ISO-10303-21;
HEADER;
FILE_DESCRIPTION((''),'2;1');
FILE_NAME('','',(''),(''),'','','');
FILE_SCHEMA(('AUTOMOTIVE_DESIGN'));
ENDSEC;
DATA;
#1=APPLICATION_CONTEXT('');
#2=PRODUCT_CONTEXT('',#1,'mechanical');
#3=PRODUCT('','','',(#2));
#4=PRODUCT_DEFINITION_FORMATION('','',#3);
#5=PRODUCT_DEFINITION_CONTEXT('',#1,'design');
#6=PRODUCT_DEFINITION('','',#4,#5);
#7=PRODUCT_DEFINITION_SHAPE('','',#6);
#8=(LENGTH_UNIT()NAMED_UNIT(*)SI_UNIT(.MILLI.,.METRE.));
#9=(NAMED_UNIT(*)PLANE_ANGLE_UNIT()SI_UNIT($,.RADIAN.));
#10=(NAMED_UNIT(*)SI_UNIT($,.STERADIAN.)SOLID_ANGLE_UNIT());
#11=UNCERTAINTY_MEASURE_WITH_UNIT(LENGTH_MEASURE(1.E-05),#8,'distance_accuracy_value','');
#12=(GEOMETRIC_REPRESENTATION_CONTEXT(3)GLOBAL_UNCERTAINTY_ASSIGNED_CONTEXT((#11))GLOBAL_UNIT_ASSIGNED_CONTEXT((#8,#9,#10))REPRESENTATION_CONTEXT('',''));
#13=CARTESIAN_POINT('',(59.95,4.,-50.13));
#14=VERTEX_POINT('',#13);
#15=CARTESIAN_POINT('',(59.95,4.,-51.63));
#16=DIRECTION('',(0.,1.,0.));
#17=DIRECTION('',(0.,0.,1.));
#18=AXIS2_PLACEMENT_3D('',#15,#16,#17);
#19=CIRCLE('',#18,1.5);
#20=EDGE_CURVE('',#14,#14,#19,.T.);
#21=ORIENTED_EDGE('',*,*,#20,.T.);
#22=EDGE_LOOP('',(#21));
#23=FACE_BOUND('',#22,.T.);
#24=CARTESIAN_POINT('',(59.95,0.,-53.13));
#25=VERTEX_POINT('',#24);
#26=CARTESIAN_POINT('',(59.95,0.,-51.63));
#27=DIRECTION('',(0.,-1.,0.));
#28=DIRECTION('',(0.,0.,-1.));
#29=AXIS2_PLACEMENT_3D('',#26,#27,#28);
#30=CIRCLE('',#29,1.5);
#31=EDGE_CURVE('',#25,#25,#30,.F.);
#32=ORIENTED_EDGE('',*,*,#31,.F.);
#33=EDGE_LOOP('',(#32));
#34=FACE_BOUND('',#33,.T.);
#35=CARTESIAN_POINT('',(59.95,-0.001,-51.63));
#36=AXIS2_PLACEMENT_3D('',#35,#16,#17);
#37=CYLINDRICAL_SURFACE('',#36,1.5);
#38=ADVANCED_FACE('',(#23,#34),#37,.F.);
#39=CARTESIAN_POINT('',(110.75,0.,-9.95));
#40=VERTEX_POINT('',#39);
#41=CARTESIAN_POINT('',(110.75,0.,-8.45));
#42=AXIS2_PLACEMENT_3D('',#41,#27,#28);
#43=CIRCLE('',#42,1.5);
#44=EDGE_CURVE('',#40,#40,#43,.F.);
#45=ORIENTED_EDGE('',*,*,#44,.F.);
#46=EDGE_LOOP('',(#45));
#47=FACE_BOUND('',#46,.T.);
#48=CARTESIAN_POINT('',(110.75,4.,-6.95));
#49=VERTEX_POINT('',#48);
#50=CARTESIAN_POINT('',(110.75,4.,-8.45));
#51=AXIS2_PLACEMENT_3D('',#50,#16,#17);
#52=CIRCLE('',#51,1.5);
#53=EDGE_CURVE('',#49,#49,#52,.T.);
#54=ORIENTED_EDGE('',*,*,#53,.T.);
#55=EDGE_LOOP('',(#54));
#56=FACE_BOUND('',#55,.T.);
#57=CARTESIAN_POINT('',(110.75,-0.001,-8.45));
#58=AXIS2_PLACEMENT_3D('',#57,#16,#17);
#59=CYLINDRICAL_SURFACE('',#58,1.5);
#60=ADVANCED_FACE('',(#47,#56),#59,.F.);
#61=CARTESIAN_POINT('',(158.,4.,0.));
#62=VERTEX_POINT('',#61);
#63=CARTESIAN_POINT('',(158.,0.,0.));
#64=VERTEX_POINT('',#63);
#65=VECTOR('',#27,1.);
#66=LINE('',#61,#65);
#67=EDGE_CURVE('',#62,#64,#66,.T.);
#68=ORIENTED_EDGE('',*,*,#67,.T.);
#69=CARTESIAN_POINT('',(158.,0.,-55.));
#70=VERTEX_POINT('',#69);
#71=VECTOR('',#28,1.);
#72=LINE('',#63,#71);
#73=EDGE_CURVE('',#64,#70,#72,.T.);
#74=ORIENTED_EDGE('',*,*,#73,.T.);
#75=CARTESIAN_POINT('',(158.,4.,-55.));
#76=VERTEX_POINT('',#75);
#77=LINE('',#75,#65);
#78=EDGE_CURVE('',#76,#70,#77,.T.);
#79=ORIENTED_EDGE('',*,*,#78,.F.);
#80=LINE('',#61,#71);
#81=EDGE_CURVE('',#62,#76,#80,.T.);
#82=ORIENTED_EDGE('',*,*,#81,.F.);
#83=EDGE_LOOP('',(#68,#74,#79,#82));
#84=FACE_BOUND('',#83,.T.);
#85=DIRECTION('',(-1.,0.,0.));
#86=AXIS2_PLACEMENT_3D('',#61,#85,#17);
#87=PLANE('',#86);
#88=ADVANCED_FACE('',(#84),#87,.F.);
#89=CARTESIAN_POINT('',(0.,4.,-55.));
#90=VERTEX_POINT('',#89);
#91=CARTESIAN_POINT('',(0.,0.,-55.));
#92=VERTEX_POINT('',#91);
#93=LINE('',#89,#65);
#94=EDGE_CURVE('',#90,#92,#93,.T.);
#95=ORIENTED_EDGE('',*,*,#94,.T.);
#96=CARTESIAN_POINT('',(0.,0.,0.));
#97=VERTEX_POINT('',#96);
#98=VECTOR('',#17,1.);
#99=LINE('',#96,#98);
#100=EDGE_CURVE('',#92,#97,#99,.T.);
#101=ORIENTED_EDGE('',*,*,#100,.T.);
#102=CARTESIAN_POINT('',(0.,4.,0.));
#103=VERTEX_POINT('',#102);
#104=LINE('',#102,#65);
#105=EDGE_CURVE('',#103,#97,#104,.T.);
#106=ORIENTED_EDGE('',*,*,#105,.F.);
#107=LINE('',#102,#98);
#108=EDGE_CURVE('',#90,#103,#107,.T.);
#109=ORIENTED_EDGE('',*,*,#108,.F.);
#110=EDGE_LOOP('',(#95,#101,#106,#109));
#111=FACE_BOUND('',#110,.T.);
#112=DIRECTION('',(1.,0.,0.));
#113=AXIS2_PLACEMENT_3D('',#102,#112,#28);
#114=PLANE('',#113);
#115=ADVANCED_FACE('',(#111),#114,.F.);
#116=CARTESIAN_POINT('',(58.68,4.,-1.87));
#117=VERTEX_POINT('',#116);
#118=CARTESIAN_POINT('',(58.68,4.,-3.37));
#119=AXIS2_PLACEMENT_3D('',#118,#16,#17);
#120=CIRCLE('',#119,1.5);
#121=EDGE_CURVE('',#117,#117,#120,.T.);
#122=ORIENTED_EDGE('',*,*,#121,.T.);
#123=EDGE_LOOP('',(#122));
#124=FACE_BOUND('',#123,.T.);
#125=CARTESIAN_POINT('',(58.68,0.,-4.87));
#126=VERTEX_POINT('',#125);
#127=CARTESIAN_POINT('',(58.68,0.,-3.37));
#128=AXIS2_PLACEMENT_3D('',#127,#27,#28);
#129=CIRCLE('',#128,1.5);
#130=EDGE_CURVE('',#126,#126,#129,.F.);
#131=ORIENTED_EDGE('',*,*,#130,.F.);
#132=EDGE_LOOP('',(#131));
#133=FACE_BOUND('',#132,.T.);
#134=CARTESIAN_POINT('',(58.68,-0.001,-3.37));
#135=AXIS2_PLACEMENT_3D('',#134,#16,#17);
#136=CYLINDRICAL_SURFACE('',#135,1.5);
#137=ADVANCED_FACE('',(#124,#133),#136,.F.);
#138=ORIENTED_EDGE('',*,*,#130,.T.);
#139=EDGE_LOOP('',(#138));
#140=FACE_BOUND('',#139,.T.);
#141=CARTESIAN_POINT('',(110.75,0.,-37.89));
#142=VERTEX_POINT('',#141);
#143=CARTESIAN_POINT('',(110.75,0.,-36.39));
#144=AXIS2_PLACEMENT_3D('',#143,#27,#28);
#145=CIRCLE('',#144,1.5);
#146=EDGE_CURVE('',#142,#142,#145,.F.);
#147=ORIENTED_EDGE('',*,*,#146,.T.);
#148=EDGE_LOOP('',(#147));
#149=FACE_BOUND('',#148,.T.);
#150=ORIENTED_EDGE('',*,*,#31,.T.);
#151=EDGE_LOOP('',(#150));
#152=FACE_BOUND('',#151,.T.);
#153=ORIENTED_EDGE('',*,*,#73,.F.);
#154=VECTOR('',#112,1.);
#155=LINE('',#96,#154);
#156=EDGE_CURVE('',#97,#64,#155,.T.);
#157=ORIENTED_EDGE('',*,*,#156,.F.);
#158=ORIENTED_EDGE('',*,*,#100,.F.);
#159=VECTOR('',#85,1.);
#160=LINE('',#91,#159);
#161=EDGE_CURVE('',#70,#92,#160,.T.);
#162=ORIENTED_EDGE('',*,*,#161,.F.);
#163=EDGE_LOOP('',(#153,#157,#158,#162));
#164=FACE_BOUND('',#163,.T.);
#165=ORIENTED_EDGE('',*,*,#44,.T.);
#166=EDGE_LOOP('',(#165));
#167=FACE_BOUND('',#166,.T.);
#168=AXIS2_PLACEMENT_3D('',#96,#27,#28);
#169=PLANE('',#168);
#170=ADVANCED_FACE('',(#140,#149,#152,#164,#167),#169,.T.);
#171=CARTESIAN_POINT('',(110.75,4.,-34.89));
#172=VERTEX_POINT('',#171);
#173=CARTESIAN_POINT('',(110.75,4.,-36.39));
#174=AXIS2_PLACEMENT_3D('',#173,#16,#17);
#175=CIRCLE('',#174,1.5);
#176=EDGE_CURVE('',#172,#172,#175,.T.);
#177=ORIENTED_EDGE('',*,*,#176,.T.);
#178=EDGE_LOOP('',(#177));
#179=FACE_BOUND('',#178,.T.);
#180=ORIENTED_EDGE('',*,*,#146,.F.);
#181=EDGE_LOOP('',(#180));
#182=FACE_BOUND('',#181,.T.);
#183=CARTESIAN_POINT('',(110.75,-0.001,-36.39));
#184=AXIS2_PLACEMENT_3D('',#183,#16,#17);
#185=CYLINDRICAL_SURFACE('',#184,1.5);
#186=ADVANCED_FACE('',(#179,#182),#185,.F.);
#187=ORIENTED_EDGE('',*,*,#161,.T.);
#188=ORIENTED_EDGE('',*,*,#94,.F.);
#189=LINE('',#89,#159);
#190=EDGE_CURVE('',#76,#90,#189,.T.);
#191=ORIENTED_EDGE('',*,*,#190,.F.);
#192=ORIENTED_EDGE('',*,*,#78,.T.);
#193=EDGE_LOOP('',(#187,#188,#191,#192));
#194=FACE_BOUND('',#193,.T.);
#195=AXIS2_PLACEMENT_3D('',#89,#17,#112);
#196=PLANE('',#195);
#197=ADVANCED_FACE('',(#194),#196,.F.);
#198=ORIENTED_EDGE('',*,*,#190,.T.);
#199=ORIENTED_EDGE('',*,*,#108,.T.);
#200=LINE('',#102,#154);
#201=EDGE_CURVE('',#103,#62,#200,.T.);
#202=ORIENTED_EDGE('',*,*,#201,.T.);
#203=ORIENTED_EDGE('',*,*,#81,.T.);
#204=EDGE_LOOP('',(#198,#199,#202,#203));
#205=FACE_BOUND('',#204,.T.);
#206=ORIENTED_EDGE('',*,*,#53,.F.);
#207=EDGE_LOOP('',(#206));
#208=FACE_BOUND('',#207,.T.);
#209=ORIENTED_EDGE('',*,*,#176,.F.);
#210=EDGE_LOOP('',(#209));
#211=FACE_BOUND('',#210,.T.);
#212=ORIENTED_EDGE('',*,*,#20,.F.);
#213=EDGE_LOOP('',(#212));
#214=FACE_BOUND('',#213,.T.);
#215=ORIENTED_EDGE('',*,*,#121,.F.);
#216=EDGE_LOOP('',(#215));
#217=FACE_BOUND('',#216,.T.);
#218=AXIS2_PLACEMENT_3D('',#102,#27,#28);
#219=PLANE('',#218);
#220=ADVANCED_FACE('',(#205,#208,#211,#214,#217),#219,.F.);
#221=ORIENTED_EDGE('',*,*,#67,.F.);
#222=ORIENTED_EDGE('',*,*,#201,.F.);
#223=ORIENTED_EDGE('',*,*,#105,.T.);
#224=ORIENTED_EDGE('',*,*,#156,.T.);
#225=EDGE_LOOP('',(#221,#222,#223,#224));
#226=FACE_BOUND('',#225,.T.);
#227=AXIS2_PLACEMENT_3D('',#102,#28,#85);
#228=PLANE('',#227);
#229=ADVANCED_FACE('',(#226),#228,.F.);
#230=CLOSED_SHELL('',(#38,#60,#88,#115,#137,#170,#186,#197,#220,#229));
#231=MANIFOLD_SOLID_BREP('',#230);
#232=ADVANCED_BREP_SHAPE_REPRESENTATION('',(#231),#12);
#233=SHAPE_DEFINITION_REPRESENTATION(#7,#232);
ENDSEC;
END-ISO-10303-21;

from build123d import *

# Parameters (mm, degrees)
SKETCH1_W           = 158
SKETCH1_H           = 55
BOSS_EXTRUDE1_DEPTH = 4
CUT_EXTRUDE2_REACH  = 169.347
SKETCH2_R           = 1.5


with BuildPart() as part:
    # Sketch1 → Boss-Extrude1 (new body)
    with BuildSketch(Plane(origin=(0, 0, 0), x_dir=(1, 0, 0), z_dir=(0, 1, 0))):
        with Locations((79, 27.5)):
            Rectangle(SKETCH1_W, SKETCH1_H)
    extrude(amount=BOSS_EXTRUDE1_DEPTH)

    # Sketch2 → Cut-Extrude2 (cut, up to next)
    with BuildSketch(Plane(origin=(0, 4, 0), x_dir=(1, 0, 0), z_dir=(0, 1, 0)), mode=Mode.PRIVATE) as cut_extrude2_sk1:
        with Locations(Location((110.75, 36.39, 0), (0, 0, 270))):
            Circle(SKETCH2_R)
    cut_extrude2_tool1 = extrude(cut_extrude2_sk1.sketch, amount=-CUT_EXTRUDE2_REACH, mode=Mode.PRIVATE) & part.part
    # Sketch2 → Cut-Extrude2 (cut, up to next)
    with BuildSketch(Plane(origin=(0, 4, 0), x_dir=(1, 0, 0), z_dir=(0, 1, 0)), mode=Mode.PRIVATE) as cut_extrude2_sk2:
        with Locations(Location((59.95, 51.63, 0), (0, 0, 270))):
            Circle(SKETCH2_R)
    cut_extrude2_tool2 = extrude(cut_extrude2_sk2.sketch, amount=-CUT_EXTRUDE2_REACH, mode=Mode.PRIVATE) & part.part
    # Sketch2 → Cut-Extrude2 (cut, up to next)
    with BuildSketch(Plane(origin=(0, 4, 0), x_dir=(1, 0, 0), z_dir=(0, 1, 0)), mode=Mode.PRIVATE) as cut_extrude2_sk3:
        with Locations(Location((110.75, 8.45, 0), (0, 0, 270))):
            Circle(SKETCH2_R)
    cut_extrude2_tool3 = extrude(cut_extrude2_sk3.sketch, amount=-CUT_EXTRUDE2_REACH, mode=Mode.PRIVATE) & part.part
    # Sketch2 → Cut-Extrude2 (cut, up to next)
    with BuildSketch(Plane(origin=(0, 4, 0), x_dir=(1, 0, 0), z_dir=(0, 1, 0)), mode=Mode.PRIVATE) as cut_extrude2_sk4:
        with Locations(Location((58.68, 3.37, 0), (0, 0, 270))):
            Circle(SKETCH2_R)
    cut_extrude2_tool4 = extrude(cut_extrude2_sk4.sketch, amount=-CUT_EXTRUDE2_REACH, mode=Mode.PRIVATE) & part.part
    add(cut_extrude2_tool1.solids().sort_by_distance((110.75, 4, -36.39))[0], mode=Mode.SUBTRACT)
    add(cut_extrude2_tool2.solids().sort_by_distance((59.95, 4, -51.63))[0], mode=Mode.SUBTRACT)
    add(cut_extrude2_tool3.solids().sort_by_distance((110.75, 4, -8.45))[0], mode=Mode.SUBTRACT)
    add(cut_extrude2_tool4.solids().sort_by_distance((58.68, 4, -3.37))[0], mode=Mode.SUBTRACT)


solid = part.part
